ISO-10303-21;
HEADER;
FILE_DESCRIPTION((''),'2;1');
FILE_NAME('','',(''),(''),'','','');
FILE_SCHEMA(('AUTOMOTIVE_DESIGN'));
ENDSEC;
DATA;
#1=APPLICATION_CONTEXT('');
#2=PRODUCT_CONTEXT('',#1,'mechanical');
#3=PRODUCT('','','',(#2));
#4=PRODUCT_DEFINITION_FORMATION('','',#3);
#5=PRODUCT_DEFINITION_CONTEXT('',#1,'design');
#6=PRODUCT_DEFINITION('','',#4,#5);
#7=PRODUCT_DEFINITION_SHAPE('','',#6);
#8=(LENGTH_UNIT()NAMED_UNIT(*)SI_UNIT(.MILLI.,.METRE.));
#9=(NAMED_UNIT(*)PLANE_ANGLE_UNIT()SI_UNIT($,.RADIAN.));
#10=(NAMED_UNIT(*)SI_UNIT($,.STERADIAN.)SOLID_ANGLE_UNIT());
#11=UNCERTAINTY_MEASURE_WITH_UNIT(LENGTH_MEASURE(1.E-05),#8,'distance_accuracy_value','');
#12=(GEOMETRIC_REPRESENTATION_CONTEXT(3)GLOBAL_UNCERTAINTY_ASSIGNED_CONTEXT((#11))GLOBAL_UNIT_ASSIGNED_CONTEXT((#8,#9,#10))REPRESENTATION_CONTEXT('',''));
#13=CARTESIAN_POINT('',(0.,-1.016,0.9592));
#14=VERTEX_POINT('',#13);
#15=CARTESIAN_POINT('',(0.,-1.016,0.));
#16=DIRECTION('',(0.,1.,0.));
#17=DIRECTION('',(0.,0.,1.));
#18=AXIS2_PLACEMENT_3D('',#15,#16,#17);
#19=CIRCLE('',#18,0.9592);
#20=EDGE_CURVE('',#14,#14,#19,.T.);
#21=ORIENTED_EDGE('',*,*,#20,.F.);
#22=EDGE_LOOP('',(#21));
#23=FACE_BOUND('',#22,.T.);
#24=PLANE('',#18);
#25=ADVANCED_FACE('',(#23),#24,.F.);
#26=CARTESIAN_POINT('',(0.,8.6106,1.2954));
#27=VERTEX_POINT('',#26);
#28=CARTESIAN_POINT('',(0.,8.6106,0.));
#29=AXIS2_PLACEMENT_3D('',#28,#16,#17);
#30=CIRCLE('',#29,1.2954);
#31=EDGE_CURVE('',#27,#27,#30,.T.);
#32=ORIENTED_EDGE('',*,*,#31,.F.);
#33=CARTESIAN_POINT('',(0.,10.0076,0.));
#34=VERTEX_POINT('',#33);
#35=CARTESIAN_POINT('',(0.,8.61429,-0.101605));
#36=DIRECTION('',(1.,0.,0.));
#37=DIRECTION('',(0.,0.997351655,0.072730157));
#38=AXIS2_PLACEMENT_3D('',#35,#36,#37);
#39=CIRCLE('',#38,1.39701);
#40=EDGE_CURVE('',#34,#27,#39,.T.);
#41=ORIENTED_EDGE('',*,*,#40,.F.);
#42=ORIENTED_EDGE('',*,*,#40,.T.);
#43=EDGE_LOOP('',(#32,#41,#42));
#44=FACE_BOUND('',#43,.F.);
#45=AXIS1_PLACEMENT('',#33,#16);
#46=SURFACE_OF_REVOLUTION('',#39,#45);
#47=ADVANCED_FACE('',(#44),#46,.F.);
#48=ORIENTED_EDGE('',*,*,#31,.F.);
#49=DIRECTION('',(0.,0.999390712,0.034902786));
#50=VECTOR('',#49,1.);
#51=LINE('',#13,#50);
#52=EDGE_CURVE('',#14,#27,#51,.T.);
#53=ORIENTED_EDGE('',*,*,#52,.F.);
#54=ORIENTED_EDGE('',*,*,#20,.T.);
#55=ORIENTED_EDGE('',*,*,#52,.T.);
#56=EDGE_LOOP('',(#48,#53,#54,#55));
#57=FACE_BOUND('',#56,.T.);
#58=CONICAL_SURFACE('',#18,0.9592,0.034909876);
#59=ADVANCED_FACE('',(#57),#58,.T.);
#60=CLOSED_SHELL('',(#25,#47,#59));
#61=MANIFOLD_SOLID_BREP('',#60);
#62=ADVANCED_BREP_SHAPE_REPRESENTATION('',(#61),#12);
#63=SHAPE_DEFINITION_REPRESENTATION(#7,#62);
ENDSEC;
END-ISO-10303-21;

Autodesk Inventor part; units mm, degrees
sketch "Sketch_1" plane through (0, 0, 0) normal (1, 0, 0) x (0, 1, 0)
  line L0 (10.0076, 0) -> (-1.016, 0)
  line L1 (-1.016, 0) -> (-1.016, 0.9592)
  line L2 (-1.016, 0.9592) -> (8.6106, 1.2954)
  arc A0 (10.0076, 0) -> (8.6106, 1.2954) centre (8.6143, -0.1016) ccw
  line L3 (10.0076, 0) -> (-1.016, 0)
revolve "Revolution1" add sketch "Sketch_1" angle 360 about axis through (0, 10.0076, 0) along (0, 1, 0)
ref_plane "to_body1_XY" through (0, 0, 0) normal (0, 1, 0) x (1, 0, 0)
ref_plane "to_body1_YZ" through (0, 0, 0) normal (1, 0, 0) x (0, 0, -1)
ref_plane "to_body1_ZX" through (0, 0, 0) normal (0, 0, -1) x (0, 1, 0)
properties part number "AA-toggle-toggle"
